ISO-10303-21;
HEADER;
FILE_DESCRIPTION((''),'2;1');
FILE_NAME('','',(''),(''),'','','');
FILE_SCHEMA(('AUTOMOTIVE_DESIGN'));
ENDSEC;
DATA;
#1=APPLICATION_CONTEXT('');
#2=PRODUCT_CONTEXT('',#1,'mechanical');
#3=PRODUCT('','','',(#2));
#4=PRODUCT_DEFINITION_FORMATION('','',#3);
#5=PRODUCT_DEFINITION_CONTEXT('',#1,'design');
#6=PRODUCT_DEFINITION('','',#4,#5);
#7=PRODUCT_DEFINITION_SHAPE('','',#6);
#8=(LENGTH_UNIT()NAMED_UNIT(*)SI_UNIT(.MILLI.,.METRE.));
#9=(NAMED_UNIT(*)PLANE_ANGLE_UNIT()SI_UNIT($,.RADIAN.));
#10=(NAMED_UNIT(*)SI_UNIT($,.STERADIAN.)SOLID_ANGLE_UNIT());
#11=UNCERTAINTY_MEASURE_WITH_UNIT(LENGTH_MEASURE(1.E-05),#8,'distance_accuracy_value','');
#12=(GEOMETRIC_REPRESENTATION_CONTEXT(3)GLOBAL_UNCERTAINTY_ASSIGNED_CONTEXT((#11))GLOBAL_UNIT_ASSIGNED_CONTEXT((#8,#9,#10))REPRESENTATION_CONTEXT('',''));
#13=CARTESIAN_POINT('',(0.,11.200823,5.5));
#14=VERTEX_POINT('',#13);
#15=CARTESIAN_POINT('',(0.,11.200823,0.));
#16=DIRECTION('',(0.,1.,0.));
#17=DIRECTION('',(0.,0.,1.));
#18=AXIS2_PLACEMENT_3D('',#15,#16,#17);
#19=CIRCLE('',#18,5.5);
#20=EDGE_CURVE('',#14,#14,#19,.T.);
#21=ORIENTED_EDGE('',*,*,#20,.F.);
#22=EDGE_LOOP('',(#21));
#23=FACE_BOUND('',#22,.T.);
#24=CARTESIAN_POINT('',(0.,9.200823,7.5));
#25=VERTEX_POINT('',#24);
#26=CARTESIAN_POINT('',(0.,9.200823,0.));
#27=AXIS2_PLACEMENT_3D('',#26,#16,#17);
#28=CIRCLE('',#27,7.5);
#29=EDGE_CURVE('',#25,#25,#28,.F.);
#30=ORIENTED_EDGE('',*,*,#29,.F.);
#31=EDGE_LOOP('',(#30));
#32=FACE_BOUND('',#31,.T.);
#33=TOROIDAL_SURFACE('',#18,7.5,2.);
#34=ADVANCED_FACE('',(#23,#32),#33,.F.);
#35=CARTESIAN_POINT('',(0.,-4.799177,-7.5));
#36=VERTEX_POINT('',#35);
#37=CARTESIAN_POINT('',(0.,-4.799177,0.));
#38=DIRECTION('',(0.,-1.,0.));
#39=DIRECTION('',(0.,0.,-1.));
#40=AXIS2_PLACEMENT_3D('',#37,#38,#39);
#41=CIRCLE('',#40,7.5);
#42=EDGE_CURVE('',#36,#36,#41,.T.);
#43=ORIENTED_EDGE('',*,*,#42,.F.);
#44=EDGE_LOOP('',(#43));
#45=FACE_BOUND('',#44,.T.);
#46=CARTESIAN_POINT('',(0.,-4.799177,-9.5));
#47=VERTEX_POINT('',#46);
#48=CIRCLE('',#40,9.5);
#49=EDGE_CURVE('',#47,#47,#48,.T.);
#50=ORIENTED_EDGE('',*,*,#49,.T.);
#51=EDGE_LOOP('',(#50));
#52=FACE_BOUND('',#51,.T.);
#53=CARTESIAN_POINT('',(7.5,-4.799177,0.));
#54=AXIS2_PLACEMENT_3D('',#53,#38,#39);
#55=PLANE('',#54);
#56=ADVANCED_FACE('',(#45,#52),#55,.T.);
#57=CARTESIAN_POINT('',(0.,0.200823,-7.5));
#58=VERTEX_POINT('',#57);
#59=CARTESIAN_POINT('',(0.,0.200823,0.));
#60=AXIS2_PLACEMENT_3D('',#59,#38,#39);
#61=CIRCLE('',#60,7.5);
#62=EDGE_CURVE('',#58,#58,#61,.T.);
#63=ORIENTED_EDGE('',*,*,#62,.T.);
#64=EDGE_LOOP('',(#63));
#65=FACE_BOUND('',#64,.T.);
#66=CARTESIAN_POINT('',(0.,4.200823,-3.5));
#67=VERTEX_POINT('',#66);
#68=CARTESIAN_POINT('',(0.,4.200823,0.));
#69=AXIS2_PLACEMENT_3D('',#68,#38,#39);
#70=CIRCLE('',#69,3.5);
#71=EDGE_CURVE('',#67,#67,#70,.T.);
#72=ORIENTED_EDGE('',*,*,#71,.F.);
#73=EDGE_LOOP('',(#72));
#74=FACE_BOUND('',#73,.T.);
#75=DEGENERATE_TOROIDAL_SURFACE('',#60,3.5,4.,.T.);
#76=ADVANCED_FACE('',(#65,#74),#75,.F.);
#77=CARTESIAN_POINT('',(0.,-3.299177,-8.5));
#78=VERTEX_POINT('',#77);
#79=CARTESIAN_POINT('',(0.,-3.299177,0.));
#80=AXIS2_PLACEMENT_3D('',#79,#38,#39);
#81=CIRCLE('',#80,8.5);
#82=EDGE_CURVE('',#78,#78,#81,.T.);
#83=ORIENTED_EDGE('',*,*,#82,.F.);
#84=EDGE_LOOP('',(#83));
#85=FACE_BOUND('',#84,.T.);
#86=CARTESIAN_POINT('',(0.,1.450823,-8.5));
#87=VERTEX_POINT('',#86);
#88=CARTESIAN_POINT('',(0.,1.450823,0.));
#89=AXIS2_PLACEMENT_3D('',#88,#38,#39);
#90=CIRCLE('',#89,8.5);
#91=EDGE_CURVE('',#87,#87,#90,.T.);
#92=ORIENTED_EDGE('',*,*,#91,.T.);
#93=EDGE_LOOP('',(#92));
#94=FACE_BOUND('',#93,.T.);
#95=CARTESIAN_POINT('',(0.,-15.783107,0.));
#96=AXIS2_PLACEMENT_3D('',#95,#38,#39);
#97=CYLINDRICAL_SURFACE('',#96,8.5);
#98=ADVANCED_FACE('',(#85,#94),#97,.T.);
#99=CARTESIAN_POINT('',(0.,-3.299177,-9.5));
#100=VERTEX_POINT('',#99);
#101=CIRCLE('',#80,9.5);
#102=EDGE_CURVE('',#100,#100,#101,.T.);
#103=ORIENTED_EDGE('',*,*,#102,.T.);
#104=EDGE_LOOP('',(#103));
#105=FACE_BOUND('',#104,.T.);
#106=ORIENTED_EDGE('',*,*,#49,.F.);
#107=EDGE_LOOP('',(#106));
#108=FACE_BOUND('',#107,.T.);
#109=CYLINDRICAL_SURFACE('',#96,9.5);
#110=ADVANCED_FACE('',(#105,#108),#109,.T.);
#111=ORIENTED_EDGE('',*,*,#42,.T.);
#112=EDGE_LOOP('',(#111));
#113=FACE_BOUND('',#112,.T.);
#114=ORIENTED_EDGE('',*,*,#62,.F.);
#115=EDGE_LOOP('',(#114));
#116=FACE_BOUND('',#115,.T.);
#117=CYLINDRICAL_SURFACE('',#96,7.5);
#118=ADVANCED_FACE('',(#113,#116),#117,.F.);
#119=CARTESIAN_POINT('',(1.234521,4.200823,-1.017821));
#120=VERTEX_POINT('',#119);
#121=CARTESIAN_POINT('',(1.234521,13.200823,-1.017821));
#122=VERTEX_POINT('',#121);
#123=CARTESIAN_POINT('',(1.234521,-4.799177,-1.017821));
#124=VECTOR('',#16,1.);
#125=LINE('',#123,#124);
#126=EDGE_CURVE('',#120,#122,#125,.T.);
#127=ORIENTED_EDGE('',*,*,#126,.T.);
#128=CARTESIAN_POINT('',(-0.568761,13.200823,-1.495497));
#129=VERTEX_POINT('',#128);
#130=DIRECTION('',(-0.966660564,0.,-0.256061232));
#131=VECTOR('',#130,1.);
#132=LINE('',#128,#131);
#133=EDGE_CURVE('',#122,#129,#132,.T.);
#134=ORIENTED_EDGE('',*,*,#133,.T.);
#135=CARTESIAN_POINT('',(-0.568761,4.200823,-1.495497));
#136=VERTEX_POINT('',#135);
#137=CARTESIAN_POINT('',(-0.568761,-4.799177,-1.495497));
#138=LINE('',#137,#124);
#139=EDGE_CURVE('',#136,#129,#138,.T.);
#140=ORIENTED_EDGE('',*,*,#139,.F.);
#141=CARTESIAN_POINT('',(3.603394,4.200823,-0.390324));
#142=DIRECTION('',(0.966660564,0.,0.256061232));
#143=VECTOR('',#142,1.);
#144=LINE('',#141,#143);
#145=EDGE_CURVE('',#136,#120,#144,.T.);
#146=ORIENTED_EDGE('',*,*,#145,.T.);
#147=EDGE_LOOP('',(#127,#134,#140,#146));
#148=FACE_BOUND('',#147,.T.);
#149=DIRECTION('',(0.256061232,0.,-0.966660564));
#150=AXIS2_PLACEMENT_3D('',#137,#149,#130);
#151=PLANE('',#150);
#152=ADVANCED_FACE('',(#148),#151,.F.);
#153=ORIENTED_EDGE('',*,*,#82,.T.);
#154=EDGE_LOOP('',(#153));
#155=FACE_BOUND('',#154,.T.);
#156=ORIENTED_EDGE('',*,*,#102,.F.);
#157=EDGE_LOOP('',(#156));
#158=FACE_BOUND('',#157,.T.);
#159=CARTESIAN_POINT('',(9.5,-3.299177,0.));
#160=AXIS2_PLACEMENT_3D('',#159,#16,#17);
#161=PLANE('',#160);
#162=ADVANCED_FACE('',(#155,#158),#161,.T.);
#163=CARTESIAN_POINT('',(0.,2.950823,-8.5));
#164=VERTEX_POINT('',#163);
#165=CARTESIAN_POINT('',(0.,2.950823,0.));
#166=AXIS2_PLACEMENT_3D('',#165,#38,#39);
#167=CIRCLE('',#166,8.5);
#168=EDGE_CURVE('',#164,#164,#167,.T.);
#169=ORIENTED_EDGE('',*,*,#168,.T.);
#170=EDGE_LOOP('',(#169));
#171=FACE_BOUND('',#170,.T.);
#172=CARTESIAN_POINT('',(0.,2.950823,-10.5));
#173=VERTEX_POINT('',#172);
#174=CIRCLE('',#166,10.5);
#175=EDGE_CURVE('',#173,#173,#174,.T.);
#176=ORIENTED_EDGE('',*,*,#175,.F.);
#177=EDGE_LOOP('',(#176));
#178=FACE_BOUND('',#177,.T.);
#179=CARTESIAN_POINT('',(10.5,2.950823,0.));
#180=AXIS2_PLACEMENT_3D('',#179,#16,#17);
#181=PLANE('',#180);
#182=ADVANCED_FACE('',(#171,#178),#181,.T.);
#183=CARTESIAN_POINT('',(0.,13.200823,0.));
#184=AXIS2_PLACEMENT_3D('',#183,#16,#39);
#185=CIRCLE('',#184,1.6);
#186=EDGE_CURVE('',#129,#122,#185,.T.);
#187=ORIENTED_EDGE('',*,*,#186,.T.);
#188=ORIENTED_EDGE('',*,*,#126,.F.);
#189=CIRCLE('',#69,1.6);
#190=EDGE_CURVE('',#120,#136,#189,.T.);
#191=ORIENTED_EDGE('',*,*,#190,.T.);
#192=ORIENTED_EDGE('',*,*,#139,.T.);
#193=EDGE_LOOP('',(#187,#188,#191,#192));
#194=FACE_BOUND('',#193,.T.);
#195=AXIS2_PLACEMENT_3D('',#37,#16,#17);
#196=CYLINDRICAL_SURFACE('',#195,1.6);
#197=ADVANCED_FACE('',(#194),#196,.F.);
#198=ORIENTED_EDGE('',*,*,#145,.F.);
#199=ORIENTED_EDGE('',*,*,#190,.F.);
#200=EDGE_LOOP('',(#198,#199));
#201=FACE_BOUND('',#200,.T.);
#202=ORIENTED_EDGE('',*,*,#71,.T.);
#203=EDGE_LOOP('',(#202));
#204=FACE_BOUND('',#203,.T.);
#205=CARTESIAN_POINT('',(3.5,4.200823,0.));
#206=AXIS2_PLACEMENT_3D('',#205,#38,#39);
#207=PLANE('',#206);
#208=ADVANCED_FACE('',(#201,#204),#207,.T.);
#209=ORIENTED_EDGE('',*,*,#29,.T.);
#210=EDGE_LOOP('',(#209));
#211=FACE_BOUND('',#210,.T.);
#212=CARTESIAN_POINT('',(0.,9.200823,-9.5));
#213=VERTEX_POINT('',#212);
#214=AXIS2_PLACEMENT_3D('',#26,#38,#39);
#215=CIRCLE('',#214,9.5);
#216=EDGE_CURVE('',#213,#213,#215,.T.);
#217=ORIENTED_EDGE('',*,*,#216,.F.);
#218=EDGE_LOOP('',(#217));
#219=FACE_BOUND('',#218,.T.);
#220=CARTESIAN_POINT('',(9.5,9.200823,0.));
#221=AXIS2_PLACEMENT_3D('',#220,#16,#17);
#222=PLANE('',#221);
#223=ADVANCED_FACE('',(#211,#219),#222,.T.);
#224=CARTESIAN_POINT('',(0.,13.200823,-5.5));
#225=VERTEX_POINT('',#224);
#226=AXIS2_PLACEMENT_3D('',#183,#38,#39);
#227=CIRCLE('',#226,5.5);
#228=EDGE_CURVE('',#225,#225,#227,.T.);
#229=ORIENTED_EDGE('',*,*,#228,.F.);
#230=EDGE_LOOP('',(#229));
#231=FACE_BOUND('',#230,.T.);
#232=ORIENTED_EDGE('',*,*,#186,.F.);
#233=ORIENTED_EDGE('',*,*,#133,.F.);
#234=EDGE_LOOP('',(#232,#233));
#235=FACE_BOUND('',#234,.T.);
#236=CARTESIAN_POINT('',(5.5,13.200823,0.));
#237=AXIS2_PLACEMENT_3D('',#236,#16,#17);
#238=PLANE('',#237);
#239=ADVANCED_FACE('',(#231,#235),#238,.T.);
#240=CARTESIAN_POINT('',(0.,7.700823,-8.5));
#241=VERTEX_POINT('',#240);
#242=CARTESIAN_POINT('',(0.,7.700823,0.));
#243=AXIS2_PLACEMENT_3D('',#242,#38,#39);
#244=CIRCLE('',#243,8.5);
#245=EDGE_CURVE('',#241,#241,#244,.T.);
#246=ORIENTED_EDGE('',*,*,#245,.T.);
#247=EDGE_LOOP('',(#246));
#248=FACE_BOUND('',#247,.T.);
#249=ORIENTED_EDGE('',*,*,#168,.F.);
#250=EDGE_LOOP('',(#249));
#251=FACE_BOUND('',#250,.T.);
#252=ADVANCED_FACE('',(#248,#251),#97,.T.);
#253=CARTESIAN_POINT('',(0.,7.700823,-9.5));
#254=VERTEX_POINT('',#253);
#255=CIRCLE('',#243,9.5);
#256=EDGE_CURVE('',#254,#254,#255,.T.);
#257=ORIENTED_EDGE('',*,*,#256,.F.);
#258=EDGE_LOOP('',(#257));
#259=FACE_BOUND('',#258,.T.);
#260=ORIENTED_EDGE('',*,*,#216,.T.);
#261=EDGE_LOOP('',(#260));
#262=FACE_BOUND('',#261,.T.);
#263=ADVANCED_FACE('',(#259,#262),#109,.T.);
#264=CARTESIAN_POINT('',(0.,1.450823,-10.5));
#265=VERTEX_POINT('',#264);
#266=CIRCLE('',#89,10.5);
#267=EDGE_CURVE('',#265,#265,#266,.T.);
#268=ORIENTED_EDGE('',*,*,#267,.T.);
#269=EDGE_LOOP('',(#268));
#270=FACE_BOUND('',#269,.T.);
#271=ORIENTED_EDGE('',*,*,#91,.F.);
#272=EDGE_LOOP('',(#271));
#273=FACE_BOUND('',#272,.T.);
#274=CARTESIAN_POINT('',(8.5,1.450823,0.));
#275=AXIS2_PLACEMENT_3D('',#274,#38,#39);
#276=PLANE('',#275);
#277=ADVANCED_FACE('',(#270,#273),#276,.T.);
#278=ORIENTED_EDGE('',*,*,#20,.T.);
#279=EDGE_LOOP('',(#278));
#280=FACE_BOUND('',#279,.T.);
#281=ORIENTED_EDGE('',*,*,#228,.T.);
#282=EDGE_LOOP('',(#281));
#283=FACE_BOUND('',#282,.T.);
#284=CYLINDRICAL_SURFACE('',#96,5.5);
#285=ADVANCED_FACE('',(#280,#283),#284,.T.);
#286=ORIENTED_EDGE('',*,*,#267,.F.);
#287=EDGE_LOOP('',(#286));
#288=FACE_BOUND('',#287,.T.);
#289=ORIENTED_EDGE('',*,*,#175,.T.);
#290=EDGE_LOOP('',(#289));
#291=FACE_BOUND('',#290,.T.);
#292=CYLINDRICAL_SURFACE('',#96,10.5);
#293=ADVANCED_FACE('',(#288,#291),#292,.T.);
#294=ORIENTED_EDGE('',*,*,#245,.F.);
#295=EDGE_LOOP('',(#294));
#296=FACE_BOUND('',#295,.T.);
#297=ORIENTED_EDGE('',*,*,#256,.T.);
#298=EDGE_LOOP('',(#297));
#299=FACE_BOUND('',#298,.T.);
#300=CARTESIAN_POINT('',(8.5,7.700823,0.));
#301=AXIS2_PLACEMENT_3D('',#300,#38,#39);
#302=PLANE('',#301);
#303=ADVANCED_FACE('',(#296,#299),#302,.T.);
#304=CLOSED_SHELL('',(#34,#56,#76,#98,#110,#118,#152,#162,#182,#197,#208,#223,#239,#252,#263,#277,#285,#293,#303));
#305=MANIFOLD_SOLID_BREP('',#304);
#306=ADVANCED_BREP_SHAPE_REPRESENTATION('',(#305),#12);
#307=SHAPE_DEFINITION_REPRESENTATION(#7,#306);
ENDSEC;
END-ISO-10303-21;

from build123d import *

# Parameters (mm, degrees)
ZAOKR_GLENIE1_R            = 2
WYTNIJ_WYCI_GNI_CIE1_DEPTH = 19


with BuildPart() as part:
    # Szkic1 → Obrót1 (revolve)
    with BuildSketch(Plane.XY):
        with BuildLine():
            Line((7.5, -4.799176992), (7.5, 0.200823008))
            ThreePointArc((7.5, 0.200823008), (6.328427125, 3.029250132), (3.5, 4.200823008))
            Line((3.5, 4.200823008), (0, 4.200823008))
            Line((0, 4.200823008), (0, 13.200823008))
            Line((0, 13.200823008), (5.5, 13.200823008))
            Line((5.5, 13.200823008), (5.5, 9.200823008))
            Line((5.5, 9.200823008), (9.5, 9.200823008))
            Line((9.5, 9.200823008), (9.5, 7.700823008))
            Line((9.5, 7.700823008), (8.5, 7.700823008))
            Line((8.5, 7.700823008), (8.5, 2.950823008))
            Line((8.5, 2.950823008), (10.5, 2.950823008))
            Line((10.5, 2.950823008), (10.5, 1.450823008))
            Line((10.5, 1.450823008), (8.5, 1.450823008))
            Line((8.5, 1.450823008), (8.5, -3.299176992))
            Line((8.5, -3.299176992), (9.5, -3.299176992))
            Line((9.5, -3.299176992), (9.5, -4.799176992))
            Line((9.5, -4.799176992), (7.5, -4.799176992))
        make_face()
    revolve(axis=Axis((0, -15.783107462, 0), (0, 1, 0)))

    # Zaokrąglenie1
    zaokr_glenie1_edges = [part.edges().sort_by_distance(p)[0] for p in [
        (-5.5, 9.200823008, 0),
    ]]
    fillet(zaokr_glenie1_edges, radius=ZAOKR_GLENIE1_R)

    # Szkic2 → Wytnij-wyciągnięcie1 (cut, through all)
    with BuildSketch(Plane(origin=(0, 13.200823008, 0), x_dir=(1, 0, 0), z_dir=(0, 1, 0))):
        with BuildLine():
            Line((-0.568761348, 1.49549675), (1.234520551, 1.017820716))
            ThreePointArc((1.234520551, 1.017820716), (-0.409697971, -1.546656902), (-0.568761348, 1.49549675))
        make_face()
    extrude(amount=-WYTNIJ_WYCI_GNI_CIE1_DEPTH, mode=Mode.SUBTRACT)


solid = part.part
